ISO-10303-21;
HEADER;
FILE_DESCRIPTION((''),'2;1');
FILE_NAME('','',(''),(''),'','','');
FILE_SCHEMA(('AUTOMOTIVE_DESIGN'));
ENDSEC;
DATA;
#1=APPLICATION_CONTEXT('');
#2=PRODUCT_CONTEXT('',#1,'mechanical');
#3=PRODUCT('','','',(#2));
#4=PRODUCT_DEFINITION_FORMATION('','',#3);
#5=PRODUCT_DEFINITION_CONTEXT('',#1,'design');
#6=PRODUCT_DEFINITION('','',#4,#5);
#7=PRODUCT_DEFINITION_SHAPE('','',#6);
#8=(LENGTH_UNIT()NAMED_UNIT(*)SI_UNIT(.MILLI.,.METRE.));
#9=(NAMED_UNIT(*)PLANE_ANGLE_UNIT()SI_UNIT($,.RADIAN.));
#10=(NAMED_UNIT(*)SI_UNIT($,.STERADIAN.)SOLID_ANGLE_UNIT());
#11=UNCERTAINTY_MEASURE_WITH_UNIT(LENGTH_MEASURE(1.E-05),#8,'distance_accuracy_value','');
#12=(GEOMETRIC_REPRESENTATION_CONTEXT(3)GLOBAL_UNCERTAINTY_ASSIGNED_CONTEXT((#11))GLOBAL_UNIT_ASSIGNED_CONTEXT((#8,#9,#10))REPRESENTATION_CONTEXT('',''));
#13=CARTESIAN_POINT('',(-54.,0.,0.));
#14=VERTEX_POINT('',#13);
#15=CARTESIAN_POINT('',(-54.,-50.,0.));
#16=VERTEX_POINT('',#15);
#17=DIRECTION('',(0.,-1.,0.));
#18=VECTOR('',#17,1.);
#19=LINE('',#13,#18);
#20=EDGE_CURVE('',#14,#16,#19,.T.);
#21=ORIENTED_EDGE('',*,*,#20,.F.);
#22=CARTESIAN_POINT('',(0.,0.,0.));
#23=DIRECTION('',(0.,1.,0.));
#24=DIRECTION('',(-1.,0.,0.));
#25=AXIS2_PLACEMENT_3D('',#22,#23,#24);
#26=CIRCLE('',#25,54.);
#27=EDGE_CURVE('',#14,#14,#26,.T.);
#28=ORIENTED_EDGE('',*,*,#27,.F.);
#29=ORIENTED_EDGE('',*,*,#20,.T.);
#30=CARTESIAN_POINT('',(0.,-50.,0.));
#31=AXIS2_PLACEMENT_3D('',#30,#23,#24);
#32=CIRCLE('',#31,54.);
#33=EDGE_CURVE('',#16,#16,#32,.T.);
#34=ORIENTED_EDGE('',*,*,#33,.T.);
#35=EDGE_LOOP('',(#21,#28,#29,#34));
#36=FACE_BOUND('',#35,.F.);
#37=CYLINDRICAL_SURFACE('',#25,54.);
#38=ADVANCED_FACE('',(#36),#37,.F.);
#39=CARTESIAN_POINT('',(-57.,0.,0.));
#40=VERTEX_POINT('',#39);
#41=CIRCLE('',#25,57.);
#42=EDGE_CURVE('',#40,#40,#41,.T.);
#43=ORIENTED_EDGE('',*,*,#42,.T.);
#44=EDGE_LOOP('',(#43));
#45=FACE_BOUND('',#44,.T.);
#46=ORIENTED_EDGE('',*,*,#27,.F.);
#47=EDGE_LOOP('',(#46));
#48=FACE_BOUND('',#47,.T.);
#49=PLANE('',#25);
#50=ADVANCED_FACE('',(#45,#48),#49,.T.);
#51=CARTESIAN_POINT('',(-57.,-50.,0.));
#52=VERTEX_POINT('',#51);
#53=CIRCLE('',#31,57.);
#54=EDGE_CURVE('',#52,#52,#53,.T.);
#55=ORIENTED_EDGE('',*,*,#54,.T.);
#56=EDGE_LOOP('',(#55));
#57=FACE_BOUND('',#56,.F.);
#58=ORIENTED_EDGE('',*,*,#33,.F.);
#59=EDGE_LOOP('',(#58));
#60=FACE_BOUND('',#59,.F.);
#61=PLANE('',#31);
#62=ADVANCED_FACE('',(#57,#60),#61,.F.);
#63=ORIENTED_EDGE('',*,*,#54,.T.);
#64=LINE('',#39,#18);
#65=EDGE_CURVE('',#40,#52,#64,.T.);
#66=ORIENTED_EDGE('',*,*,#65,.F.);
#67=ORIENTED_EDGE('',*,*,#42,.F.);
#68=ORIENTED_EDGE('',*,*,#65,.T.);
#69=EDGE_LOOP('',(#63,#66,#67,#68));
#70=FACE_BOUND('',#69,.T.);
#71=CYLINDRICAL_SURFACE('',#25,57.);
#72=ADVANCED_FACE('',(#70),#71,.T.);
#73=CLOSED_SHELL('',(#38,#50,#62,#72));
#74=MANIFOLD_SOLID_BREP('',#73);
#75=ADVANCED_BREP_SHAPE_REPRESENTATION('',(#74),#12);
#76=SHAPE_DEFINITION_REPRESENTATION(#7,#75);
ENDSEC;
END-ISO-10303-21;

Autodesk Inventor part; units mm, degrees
ref_plane "YZ Plane" through (0, 0, 0) normal (1, 0, 0) x (0, 1, 0)
ref_plane "XZ Plane" through (0, 0, 0) normal (0, 1, 0) x (-1, 0, 0)
ref_plane "XY Plane" through (0, 0, 0) normal (0, 0, 1) x (1, 0, 0)
sketch "Sketch1" plane through (0, 0, 0) normal (0, 1, 0) x (-1, 0, 0)
  circle A0 centre (0, 0) radius 57
  circle A1 centre (0, 0) radius 54
  dimension "d0" = 114
  dimension "d1" = 3
extrude "Extrusion1" add sketch "Sketch1" against normal blind 50
properties part number "APN 1442 FDS  tube 1" material "Steel"
